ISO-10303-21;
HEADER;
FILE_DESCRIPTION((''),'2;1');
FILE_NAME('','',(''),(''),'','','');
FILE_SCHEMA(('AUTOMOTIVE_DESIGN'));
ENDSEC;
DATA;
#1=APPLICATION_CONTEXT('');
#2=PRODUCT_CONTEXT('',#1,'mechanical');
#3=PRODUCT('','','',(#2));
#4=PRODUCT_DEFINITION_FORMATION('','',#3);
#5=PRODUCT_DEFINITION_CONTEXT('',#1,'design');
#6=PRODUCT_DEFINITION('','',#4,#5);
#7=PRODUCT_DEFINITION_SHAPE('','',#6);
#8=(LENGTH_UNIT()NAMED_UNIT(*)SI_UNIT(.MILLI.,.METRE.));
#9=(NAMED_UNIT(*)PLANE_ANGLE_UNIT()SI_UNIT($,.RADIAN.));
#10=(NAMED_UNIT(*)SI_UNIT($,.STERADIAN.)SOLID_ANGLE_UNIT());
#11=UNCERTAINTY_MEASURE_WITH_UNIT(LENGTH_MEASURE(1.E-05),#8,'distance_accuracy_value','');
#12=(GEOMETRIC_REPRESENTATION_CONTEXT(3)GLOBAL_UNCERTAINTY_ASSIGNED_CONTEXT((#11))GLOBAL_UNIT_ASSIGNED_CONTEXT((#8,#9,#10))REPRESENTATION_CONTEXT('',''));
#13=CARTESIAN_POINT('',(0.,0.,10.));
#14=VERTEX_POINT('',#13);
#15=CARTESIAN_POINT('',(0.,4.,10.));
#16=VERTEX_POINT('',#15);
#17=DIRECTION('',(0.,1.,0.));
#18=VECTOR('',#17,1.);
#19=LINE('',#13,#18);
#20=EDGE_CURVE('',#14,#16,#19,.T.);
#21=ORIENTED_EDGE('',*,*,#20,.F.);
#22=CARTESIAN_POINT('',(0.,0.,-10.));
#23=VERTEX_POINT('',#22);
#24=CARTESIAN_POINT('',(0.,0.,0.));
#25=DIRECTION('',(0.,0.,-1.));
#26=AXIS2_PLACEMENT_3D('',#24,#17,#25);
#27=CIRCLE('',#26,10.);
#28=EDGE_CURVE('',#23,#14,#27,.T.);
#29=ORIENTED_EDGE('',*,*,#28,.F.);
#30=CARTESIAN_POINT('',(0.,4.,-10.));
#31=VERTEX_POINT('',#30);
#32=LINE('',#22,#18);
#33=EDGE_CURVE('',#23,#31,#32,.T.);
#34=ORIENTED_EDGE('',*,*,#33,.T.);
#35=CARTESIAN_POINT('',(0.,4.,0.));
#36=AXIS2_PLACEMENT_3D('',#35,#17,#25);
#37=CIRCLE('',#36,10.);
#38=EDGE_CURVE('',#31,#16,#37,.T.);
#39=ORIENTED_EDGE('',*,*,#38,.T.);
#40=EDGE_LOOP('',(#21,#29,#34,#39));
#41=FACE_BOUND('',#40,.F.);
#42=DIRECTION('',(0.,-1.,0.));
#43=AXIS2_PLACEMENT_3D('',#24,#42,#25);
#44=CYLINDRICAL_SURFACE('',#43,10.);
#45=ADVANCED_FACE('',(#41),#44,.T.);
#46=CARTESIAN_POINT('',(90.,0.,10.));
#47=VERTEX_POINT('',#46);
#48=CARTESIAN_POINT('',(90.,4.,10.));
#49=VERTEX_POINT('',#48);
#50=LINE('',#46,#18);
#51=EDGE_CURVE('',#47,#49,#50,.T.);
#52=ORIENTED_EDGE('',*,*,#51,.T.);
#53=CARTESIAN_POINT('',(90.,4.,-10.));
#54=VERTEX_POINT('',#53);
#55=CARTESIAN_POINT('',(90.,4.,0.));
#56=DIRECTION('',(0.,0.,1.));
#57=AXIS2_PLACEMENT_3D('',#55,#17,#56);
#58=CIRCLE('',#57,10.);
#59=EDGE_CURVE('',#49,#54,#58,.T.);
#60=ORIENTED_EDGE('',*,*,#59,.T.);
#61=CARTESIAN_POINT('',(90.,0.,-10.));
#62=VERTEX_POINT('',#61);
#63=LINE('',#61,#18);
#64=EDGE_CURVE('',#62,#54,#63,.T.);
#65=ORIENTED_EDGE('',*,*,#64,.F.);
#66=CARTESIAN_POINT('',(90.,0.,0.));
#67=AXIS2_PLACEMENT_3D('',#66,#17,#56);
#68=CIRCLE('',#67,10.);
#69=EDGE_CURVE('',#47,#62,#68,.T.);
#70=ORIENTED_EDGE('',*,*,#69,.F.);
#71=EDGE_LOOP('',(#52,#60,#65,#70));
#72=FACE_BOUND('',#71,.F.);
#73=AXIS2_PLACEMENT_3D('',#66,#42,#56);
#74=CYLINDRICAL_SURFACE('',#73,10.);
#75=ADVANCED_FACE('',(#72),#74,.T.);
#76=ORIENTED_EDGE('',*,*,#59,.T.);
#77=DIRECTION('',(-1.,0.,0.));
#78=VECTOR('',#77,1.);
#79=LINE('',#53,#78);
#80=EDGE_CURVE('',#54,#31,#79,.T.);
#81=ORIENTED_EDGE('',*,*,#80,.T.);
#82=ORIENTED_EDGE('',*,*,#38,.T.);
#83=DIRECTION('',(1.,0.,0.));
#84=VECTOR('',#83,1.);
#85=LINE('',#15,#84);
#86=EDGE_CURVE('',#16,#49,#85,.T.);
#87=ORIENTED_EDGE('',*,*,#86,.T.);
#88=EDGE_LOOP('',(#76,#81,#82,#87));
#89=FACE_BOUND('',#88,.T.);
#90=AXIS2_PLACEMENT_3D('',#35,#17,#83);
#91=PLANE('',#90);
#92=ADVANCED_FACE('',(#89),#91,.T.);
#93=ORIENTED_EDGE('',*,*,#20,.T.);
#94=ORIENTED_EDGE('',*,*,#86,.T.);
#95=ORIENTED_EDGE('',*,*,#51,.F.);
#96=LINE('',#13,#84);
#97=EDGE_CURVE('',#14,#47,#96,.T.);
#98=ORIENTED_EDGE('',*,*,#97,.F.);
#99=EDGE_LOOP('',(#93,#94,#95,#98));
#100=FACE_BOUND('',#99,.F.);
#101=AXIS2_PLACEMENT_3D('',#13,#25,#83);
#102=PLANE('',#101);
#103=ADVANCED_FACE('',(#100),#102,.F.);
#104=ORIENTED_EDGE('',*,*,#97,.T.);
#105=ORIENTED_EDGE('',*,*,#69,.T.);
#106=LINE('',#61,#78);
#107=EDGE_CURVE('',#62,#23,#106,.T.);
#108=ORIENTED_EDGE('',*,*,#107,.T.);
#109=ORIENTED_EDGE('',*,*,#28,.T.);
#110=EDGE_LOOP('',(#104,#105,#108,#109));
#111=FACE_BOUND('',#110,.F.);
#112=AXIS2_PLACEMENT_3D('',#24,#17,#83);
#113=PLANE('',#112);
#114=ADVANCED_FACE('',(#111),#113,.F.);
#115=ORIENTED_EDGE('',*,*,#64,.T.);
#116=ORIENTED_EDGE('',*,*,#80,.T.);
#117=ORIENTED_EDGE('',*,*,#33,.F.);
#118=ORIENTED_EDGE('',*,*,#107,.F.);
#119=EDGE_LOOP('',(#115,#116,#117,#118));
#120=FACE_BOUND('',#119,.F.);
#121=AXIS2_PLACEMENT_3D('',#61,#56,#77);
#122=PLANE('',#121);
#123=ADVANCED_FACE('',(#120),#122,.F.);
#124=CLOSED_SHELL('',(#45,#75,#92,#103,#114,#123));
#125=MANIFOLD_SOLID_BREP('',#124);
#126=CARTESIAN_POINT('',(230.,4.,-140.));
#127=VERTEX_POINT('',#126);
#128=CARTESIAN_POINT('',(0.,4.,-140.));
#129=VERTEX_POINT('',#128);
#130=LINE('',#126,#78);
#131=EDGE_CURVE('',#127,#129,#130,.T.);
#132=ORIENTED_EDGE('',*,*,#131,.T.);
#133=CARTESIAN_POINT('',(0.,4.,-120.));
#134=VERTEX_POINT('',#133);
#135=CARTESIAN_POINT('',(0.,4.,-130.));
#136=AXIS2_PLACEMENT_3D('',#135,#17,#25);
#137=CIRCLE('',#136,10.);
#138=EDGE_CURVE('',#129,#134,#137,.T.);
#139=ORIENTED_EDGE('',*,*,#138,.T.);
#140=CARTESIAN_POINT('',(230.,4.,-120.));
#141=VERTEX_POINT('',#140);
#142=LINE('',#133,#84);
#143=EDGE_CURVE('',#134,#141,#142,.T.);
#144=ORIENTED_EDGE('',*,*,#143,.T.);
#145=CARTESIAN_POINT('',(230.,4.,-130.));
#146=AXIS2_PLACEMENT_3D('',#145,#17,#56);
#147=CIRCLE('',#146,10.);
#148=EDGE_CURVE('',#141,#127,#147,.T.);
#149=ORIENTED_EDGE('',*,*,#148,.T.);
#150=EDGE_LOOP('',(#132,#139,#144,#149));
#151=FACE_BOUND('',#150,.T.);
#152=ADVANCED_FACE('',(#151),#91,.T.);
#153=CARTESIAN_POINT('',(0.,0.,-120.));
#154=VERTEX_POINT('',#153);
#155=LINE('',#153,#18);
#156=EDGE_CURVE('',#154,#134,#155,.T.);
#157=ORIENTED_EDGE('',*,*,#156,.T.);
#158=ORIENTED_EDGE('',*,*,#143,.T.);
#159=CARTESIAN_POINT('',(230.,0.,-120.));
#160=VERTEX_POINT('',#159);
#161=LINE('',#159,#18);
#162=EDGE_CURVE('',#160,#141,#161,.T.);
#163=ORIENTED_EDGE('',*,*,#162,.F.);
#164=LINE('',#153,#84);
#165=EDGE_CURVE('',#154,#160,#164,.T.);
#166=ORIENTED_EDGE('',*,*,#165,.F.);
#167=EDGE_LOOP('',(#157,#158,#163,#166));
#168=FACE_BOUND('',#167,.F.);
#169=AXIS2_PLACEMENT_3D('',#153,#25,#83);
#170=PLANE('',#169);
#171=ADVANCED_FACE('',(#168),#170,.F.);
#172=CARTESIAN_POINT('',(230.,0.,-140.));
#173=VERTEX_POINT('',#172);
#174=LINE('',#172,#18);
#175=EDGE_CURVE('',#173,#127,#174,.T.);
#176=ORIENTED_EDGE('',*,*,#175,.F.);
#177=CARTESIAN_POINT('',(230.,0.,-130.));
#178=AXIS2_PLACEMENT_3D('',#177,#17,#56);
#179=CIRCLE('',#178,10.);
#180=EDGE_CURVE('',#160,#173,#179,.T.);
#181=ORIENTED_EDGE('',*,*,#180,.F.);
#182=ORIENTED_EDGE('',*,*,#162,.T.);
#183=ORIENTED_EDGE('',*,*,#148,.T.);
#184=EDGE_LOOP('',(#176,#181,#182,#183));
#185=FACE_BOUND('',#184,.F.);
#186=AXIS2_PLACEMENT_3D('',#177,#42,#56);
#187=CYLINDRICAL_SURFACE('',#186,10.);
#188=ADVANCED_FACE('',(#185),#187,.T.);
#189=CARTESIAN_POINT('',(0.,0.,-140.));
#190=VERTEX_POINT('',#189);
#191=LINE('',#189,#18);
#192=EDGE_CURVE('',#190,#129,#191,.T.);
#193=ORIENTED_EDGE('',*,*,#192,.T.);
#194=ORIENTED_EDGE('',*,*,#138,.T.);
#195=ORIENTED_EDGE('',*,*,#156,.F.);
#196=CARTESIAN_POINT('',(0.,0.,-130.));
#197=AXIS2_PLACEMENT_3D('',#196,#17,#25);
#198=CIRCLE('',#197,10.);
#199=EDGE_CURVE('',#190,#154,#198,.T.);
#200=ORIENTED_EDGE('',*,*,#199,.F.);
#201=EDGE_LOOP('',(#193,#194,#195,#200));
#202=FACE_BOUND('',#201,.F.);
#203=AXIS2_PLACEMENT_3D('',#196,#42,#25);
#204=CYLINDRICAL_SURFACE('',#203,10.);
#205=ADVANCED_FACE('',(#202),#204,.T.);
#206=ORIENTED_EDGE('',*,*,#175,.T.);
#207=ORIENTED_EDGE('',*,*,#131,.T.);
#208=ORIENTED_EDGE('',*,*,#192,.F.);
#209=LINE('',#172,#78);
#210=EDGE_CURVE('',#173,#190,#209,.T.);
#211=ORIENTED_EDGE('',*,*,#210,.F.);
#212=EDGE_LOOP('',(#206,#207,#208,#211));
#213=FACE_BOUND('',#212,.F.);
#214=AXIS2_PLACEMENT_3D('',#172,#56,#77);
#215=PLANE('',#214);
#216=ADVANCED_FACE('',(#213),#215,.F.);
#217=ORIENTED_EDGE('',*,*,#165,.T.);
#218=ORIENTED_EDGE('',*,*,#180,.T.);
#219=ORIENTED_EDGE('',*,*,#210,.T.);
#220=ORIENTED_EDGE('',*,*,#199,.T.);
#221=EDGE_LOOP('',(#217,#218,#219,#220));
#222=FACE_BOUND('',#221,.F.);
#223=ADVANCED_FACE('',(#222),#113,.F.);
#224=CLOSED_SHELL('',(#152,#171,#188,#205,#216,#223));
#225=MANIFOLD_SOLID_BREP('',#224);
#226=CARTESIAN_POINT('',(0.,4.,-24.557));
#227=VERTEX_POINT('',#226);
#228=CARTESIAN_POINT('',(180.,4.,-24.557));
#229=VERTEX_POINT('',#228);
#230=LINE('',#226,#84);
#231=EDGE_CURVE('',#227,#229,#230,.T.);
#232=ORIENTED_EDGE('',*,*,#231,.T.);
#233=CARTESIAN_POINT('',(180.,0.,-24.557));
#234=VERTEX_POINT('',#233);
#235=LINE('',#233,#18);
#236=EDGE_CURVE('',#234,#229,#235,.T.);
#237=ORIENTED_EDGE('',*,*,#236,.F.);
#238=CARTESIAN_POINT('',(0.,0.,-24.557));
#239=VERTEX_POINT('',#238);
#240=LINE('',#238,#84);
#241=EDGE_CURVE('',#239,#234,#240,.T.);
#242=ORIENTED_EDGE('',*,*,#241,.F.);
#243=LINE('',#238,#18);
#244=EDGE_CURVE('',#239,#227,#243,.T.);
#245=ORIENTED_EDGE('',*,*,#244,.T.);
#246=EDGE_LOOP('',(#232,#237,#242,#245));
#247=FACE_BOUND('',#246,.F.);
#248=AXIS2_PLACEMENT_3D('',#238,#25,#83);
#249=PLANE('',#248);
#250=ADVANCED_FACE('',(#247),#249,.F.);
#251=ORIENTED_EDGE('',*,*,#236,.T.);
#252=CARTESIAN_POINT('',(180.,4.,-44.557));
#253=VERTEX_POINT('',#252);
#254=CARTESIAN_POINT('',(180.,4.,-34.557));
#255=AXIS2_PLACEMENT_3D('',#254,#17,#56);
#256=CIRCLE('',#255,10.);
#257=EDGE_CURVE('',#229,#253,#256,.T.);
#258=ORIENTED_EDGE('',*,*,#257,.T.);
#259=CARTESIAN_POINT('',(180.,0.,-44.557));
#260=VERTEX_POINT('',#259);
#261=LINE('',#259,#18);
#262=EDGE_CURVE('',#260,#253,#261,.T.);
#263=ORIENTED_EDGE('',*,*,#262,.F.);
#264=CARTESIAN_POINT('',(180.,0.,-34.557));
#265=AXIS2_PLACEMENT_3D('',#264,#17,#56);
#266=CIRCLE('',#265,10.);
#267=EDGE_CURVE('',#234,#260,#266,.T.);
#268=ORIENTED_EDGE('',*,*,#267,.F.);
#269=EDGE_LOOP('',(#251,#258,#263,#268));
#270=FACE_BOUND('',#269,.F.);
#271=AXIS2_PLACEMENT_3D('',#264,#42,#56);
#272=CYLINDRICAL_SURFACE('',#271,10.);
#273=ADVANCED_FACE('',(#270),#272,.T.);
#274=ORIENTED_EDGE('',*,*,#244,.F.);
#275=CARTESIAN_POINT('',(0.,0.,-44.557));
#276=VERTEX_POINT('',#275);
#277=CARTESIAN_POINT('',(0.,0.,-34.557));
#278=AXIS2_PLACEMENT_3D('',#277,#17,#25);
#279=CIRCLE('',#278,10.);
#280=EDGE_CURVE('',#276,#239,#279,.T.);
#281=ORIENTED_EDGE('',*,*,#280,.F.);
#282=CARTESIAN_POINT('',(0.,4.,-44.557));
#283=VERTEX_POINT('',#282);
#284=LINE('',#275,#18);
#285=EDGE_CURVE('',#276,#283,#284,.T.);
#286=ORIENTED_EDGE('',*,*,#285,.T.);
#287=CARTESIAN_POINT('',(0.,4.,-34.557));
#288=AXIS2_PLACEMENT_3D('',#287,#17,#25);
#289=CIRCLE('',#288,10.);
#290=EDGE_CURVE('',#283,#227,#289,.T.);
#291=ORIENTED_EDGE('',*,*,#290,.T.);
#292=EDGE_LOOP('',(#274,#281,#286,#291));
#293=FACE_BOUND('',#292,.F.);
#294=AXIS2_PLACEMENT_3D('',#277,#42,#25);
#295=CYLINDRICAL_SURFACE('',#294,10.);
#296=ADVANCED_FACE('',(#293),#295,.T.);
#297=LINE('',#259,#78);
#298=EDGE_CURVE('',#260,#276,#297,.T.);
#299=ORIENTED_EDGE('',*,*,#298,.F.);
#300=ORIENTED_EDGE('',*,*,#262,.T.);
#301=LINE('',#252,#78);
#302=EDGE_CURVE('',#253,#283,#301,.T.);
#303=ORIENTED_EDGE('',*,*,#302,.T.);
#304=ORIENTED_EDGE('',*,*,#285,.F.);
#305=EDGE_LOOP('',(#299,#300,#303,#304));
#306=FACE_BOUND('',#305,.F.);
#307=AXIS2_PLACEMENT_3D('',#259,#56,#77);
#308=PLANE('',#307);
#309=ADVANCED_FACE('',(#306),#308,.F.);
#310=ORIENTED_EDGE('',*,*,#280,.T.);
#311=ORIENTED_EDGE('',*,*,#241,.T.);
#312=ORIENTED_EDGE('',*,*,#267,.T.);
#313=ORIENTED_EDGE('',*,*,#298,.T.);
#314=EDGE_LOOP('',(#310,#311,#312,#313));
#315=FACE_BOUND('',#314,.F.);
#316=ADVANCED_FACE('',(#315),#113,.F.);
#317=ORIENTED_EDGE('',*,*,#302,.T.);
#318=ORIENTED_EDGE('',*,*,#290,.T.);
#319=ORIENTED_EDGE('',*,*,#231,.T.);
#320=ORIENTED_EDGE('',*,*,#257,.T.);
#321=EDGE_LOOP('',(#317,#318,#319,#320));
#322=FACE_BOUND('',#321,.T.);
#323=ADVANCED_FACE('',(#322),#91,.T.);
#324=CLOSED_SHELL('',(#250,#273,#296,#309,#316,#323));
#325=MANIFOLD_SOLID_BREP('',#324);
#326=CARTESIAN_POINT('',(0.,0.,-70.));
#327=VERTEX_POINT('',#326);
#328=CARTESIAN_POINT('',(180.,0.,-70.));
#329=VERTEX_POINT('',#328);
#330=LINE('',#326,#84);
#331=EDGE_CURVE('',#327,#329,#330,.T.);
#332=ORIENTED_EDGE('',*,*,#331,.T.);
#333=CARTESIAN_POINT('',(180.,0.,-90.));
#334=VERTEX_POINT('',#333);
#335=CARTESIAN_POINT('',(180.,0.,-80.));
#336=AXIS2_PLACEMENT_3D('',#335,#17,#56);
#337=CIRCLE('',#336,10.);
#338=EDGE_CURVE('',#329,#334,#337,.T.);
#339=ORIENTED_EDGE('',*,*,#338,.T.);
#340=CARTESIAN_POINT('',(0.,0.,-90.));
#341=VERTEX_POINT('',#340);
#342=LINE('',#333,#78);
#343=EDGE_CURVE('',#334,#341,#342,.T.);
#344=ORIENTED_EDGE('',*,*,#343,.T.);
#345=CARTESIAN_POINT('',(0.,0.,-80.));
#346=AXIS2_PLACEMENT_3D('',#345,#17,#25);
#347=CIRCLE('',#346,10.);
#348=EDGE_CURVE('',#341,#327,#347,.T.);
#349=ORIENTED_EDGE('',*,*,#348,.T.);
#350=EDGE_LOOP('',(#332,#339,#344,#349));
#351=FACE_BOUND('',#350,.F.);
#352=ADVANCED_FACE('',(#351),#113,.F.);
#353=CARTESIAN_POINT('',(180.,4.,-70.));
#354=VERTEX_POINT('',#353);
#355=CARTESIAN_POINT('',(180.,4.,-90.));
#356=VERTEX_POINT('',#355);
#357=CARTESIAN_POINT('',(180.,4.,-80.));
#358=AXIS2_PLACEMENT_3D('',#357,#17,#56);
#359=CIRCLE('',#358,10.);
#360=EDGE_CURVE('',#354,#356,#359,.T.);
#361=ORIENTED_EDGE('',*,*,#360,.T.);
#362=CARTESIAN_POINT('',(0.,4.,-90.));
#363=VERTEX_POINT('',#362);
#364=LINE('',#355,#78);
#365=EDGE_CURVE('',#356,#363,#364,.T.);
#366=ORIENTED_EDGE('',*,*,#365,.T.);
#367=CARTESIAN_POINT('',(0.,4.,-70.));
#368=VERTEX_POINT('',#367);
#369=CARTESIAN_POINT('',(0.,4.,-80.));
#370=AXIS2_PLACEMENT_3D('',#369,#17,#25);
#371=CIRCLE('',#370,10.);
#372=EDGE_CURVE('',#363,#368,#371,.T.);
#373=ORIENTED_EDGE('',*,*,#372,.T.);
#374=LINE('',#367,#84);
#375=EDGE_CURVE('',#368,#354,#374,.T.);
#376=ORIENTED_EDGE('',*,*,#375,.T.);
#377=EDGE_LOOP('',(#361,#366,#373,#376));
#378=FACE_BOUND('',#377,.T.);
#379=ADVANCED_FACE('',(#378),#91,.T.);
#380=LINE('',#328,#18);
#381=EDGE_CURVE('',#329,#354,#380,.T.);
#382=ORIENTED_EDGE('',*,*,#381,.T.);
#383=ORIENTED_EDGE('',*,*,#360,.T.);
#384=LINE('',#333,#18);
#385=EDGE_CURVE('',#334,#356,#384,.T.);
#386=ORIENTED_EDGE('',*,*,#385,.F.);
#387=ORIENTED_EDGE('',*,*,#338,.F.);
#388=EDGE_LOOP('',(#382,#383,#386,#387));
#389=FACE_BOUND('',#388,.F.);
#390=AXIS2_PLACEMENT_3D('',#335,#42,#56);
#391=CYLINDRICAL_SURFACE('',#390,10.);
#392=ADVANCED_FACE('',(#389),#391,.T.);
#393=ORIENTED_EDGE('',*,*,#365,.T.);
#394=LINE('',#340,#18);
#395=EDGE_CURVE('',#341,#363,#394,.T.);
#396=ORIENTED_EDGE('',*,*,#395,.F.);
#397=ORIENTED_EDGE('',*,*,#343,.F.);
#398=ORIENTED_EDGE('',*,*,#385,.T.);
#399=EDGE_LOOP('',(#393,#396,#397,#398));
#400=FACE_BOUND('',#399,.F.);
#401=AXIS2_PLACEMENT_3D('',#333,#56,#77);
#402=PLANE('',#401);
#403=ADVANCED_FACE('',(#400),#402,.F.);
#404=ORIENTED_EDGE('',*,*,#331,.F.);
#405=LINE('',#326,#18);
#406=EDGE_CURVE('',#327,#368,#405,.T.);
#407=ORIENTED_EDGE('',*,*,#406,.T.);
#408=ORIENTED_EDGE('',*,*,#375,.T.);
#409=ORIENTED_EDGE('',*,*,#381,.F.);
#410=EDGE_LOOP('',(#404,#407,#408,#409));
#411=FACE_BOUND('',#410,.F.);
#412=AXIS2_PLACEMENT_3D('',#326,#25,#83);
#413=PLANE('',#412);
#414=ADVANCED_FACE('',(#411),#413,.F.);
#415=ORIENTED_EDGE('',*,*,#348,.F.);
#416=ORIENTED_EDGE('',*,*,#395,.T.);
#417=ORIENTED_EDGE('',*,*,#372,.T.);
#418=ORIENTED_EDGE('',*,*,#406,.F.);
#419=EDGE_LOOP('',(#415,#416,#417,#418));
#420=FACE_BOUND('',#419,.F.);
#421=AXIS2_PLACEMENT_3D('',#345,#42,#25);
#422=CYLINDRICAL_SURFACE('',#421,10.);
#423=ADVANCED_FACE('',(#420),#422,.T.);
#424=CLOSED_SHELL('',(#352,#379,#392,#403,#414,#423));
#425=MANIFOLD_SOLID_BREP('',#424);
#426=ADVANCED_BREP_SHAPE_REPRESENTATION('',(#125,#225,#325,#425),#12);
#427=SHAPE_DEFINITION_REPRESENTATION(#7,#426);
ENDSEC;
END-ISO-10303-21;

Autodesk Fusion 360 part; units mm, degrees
sketch "Sketch1" plane through (0, 0, 0) normal (0, 1, 0) x (1, 0, 0)
  line L0 (0, -10) -> (90, -10)
  arc A0 (90, -10) -> (90, 10) centre (90, 0) ccw
  line L1 (90, 10) -> (0, 10)
  arc A1 (0, 10) -> (0, -10) centre (0, 0) ccw
  line L2 (0, 0) -> (90, 0) construction
  line L3 (0, 24.557) -> (180, 24.557)
  arc A2 (180, 24.557) -> (180, 44.557) centre (180, 34.557) ccw
  line L4 (180, 44.557) -> (0, 44.557)
  arc A3 (0, 44.557) -> (0, 24.557) centre (0, 34.557) ccw
  line L5 (0, 34.557) -> (180, 34.557) construction
  line L6 (0, 70) -> (180, 70)
  arc A4 (180, 70) -> (180, 90) centre (180, 80) ccw
  line L7 (180, 90) -> (0, 90)
  arc A5 (0, 90) -> (0, 70) centre (0, 80) ccw
  line L8 (0, 80) -> (180, 80) construction
  line L9 (0, 120) -> (230, 120)
  arc A6 (230, 120) -> (230, 140) centre (230, 130) ccw
  line L10 (230, 140) -> (0, 140)
  arc A7 (0, 140) -> (0, 120) centre (0, 130) ccw
  line L11 (0, 130) -> (230, 130) construction
  dimension "d1" = 20
extrude "Extrude1" add sketch "Sketch1" along normal blind 4 makes body 1 at (120, 0, -31.2236) makes body 2 at (120, 0, -76.6667) makes body 3 at (60, 0, 3.3333) makes body 4 at (76.6667, 0, -126.6667) in component "Component"
copy_body "Body->Comp1" bodies 1 removing the originals makes body 5 in component "Component'"
copy_body "Body->Comp2" bodies 2 removing the originals makes body 6 in component "Component''"
copy_body "Body->Comp3" bodies 3 removing the originals makes body 7 in component "Component'''"
copy_body "Body->Comp4" bodies 4 removing the originals makes body 8 in component "Component''''"
component "Component" placed x (1, 0, 0) y (0, 1, 0) z (0, 0, 1) at (0, 0, 0)
component "Component'" placed x (1, 0, 0) y (0, 1, 0) z (0, 0, 1) at (0, 0, 0) in component "Component"
component "Component''" placed x (1, 0, 0) y (0, 1, 0) z (0, 0, 1) at (0, 0, 0) in component "Component"
component "Component'''" placed x (1, 0, 0) y (0, 1, 0) z (0, 0, 1) at (0, 0, 0) in component "Component"
component "Component''''" placed x (1, 0, 0) y (0, 1, 0) z (0, 0, 1) at (0, 0, 0) in component "Component"
